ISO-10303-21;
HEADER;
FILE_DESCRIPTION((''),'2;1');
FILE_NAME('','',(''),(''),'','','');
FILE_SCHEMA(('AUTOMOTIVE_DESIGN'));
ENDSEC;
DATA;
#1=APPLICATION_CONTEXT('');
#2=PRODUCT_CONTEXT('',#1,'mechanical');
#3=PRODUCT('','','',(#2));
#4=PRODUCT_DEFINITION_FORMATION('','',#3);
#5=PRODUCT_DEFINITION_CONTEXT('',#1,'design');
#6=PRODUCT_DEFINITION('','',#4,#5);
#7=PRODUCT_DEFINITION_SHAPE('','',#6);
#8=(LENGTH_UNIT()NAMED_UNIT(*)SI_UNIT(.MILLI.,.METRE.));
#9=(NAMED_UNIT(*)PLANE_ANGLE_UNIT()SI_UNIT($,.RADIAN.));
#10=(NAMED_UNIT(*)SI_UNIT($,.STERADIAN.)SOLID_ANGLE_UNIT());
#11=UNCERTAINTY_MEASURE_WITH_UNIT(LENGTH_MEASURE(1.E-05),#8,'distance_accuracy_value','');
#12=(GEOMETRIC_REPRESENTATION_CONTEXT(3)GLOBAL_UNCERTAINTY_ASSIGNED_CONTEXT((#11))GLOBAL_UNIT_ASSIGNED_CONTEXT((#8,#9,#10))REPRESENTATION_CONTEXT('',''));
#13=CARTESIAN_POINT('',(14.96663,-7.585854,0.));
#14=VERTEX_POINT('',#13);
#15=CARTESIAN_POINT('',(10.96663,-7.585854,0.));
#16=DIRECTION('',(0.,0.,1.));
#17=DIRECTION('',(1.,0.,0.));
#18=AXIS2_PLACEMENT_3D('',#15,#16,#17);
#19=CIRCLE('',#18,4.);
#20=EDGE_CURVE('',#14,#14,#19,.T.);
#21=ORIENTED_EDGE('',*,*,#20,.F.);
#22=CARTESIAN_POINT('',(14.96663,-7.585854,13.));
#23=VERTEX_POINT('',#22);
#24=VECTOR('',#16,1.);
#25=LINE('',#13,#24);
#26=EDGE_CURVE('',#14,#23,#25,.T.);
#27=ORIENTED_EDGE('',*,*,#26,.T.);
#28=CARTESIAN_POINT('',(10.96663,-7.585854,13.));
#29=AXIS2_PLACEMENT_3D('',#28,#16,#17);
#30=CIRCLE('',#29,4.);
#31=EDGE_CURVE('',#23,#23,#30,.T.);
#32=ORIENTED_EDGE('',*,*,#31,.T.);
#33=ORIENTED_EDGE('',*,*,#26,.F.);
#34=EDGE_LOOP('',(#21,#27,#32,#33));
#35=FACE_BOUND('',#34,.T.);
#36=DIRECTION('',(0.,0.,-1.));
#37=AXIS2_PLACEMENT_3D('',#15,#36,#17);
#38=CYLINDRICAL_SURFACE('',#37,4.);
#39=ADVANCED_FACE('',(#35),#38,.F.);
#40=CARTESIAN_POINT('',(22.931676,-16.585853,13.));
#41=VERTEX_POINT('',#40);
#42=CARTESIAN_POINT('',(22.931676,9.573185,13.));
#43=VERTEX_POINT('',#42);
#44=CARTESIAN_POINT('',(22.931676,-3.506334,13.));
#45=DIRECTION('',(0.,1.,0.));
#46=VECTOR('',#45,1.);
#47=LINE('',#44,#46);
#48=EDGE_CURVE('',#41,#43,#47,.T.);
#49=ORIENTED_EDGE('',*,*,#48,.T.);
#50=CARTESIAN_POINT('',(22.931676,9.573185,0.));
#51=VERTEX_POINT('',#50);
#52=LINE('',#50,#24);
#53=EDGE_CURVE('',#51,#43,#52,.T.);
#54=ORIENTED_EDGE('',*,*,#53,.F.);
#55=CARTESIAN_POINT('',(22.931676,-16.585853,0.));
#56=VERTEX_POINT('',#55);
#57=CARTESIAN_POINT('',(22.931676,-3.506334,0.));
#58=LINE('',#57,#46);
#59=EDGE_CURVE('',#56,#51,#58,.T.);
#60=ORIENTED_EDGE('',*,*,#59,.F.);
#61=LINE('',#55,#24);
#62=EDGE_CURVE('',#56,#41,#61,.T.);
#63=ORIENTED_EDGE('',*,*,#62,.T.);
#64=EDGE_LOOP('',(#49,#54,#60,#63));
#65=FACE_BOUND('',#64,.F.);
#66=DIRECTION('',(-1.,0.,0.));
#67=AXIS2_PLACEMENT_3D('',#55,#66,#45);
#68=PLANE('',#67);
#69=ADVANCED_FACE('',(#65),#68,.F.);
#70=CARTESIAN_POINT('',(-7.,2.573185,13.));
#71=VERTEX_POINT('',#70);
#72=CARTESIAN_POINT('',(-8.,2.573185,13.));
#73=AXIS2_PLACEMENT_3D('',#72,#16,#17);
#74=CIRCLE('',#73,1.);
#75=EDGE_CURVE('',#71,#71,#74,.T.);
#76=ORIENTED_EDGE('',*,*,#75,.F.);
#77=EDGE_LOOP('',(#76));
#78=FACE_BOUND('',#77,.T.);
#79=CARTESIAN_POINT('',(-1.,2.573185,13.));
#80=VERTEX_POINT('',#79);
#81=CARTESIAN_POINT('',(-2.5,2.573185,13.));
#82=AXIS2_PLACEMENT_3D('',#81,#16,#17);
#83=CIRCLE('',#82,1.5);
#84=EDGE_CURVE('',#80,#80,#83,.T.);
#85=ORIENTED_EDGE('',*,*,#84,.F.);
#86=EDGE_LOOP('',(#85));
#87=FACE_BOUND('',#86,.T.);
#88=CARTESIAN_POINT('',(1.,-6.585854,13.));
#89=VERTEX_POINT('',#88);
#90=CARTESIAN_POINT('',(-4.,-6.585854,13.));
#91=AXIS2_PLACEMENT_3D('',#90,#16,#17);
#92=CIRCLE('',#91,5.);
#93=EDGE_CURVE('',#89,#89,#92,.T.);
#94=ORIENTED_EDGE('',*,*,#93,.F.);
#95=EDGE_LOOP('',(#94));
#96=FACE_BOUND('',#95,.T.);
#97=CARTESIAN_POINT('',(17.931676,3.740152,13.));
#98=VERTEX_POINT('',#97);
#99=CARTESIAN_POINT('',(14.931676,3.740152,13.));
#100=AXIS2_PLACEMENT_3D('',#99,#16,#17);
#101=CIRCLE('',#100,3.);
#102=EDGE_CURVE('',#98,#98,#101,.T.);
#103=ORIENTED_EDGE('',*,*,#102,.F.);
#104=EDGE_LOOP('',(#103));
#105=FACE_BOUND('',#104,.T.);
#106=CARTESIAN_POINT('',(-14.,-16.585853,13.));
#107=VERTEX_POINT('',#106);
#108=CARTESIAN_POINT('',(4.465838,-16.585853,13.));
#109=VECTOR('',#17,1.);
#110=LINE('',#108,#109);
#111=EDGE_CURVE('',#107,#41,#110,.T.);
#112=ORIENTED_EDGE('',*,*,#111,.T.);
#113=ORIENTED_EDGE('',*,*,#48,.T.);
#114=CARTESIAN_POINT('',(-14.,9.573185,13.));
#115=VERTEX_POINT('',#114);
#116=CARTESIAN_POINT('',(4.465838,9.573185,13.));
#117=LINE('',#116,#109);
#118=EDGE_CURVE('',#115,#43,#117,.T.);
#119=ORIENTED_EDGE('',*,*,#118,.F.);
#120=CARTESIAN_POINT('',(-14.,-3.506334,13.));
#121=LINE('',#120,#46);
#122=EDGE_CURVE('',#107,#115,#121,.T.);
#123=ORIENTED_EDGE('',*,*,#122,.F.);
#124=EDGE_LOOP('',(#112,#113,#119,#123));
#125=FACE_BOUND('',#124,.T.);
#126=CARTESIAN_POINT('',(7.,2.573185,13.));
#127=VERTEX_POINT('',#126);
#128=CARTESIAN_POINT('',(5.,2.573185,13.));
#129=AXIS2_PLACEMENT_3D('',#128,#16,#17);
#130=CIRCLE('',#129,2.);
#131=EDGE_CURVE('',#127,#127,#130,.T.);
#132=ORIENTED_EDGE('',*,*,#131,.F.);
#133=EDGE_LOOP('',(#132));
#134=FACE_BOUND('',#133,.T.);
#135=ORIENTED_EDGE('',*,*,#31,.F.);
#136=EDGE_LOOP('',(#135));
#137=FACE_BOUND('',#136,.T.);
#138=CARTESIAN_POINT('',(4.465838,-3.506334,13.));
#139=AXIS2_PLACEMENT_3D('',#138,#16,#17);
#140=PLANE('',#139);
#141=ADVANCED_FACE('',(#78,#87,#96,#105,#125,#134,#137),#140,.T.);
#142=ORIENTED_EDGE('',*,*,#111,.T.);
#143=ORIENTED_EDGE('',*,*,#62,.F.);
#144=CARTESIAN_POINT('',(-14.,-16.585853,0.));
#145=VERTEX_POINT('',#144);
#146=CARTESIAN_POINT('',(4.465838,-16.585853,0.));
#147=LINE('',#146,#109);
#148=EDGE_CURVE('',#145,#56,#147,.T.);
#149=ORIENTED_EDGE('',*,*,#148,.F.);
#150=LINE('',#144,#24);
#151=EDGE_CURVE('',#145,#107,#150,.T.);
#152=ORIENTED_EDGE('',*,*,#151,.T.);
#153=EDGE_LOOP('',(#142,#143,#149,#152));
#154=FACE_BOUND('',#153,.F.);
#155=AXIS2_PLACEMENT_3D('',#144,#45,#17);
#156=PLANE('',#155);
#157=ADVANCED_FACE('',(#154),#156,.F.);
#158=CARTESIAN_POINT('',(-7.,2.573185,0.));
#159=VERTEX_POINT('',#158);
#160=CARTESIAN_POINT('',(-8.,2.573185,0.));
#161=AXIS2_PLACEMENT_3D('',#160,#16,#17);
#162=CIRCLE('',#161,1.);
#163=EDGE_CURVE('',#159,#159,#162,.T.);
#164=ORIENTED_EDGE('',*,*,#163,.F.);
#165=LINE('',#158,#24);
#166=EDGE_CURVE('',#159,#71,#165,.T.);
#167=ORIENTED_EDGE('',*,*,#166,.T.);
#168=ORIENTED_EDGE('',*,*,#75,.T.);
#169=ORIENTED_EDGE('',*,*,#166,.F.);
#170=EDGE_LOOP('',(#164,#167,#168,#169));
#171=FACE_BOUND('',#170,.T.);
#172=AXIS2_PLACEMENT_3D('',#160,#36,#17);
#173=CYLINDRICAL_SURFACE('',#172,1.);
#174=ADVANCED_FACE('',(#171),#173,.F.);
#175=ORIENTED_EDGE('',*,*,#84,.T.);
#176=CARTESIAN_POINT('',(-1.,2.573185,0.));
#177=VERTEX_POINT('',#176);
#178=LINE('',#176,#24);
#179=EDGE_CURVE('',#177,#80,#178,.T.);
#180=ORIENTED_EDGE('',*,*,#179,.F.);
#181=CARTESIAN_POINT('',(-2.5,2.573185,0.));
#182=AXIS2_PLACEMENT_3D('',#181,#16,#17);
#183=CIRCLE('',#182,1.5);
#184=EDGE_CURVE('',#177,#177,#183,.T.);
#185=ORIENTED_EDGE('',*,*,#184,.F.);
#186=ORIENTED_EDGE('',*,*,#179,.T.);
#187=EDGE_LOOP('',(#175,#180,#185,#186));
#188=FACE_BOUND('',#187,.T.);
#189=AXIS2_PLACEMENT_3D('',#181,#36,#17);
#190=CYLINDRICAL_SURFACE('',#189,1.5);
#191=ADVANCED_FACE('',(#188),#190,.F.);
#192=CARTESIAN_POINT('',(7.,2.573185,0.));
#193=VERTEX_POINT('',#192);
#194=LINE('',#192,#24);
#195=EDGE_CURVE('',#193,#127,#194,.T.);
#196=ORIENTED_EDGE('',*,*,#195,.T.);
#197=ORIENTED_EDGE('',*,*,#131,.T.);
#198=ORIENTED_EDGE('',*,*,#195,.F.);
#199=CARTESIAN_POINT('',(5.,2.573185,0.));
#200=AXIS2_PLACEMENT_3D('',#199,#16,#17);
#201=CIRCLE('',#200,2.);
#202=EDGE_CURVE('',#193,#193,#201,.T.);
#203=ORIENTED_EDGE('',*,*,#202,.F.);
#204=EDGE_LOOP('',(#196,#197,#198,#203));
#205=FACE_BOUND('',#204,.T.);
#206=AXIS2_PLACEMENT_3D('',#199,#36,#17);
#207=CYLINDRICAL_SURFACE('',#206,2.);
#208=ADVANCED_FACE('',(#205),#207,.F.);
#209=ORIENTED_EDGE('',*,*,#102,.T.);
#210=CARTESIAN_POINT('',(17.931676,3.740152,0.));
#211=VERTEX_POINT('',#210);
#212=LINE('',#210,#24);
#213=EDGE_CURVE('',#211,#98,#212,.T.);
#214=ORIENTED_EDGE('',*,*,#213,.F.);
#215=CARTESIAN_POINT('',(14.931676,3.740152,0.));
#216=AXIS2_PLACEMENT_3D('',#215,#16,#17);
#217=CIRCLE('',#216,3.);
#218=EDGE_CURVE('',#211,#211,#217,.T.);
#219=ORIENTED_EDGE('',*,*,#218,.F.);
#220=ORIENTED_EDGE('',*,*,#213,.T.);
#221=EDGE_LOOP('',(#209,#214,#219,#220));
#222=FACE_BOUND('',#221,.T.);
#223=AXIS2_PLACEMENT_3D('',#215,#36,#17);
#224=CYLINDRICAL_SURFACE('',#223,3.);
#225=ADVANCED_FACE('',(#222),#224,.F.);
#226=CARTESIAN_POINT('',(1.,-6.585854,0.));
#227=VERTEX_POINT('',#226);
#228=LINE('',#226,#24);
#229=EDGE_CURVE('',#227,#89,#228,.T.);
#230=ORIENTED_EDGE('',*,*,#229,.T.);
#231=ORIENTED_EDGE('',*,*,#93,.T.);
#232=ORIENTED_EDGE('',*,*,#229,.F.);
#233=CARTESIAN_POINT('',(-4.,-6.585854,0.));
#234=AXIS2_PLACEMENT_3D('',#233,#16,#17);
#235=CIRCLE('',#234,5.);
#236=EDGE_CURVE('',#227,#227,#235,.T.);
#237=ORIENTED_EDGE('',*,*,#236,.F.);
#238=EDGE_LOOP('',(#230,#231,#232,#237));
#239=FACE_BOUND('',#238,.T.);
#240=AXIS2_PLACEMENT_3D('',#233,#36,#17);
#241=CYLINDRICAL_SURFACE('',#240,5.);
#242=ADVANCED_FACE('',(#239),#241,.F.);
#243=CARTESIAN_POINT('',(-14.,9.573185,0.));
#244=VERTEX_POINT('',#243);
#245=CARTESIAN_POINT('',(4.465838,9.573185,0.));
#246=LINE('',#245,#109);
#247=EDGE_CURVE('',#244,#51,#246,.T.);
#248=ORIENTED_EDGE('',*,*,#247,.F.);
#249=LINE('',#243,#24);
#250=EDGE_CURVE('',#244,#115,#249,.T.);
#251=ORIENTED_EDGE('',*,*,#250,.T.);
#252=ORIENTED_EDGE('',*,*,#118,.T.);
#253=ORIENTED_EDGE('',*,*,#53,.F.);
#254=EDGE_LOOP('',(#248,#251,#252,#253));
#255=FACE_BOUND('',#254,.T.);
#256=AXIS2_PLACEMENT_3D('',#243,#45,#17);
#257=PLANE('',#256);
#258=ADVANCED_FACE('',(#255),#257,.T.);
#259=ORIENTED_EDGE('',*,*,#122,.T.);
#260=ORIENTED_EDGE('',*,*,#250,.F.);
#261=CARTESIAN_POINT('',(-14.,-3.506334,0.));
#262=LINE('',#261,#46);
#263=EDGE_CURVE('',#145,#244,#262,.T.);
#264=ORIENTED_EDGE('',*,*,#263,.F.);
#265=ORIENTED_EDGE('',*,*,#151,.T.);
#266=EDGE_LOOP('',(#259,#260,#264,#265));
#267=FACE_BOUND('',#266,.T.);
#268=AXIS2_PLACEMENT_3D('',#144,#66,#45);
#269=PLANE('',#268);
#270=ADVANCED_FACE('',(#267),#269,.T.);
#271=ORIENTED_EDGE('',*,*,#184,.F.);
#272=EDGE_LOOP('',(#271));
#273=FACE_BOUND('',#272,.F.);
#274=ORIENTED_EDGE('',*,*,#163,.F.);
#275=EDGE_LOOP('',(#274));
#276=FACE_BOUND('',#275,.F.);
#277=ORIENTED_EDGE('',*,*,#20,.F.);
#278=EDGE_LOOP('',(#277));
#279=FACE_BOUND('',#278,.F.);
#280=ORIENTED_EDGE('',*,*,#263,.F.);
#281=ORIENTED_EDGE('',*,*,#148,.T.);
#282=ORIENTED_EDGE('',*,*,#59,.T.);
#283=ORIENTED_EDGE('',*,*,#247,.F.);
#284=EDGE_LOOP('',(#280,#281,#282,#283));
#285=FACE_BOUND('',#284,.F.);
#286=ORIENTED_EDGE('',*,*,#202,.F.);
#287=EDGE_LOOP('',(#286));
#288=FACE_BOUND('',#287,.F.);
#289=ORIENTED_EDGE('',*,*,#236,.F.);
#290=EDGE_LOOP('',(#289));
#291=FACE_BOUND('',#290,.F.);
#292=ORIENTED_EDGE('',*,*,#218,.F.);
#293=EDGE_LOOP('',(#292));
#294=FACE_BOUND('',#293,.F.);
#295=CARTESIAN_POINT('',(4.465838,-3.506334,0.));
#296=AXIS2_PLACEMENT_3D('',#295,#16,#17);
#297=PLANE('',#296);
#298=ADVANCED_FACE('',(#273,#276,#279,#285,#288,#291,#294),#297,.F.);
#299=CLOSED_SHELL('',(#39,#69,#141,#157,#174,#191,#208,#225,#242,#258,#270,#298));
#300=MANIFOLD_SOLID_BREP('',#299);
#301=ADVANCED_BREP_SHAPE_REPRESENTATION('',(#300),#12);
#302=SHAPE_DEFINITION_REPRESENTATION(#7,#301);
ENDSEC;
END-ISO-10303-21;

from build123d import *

# Parameters (mm, degrees)
F0_W     = 36.931676
F0_H     = 26.159039
F0_R     = 5
F0_R_2   = 4
F0_R_3   = 1
F0_R_4   = 1.5
F0_R_5   = 2
F0_R_6   = 3
F1_DEPTH = 13


with BuildPart() as f1:
    # F0 (on Top) → F1 (new body)
    with BuildSketch(Plane.XY):
        with Locations((4.465838, -3.506334)):
            Rectangle(F0_W, F0_H)
        with Locations((-4, -6.585854)):
            Circle(F0_R, mode=Mode.SUBTRACT)
        with Locations((10.96663, -7.585854)):
            Circle(F0_R_2, mode=Mode.SUBTRACT)
        with Locations((-8, 2.573185)):
            Circle(F0_R_3, mode=Mode.SUBTRACT)
        with Locations((-2.5, 2.573185)):
            Circle(F0_R_4, mode=Mode.SUBTRACT)
        with Locations((5, 2.573185)):
            Circle(F0_R_5, mode=Mode.SUBTRACT)
        with Locations((14.931676, 3.740152)):
            Circle(F0_R_6, mode=Mode.SUBTRACT)
    extrude(amount=F1_DEPTH)


solid = f1.part
